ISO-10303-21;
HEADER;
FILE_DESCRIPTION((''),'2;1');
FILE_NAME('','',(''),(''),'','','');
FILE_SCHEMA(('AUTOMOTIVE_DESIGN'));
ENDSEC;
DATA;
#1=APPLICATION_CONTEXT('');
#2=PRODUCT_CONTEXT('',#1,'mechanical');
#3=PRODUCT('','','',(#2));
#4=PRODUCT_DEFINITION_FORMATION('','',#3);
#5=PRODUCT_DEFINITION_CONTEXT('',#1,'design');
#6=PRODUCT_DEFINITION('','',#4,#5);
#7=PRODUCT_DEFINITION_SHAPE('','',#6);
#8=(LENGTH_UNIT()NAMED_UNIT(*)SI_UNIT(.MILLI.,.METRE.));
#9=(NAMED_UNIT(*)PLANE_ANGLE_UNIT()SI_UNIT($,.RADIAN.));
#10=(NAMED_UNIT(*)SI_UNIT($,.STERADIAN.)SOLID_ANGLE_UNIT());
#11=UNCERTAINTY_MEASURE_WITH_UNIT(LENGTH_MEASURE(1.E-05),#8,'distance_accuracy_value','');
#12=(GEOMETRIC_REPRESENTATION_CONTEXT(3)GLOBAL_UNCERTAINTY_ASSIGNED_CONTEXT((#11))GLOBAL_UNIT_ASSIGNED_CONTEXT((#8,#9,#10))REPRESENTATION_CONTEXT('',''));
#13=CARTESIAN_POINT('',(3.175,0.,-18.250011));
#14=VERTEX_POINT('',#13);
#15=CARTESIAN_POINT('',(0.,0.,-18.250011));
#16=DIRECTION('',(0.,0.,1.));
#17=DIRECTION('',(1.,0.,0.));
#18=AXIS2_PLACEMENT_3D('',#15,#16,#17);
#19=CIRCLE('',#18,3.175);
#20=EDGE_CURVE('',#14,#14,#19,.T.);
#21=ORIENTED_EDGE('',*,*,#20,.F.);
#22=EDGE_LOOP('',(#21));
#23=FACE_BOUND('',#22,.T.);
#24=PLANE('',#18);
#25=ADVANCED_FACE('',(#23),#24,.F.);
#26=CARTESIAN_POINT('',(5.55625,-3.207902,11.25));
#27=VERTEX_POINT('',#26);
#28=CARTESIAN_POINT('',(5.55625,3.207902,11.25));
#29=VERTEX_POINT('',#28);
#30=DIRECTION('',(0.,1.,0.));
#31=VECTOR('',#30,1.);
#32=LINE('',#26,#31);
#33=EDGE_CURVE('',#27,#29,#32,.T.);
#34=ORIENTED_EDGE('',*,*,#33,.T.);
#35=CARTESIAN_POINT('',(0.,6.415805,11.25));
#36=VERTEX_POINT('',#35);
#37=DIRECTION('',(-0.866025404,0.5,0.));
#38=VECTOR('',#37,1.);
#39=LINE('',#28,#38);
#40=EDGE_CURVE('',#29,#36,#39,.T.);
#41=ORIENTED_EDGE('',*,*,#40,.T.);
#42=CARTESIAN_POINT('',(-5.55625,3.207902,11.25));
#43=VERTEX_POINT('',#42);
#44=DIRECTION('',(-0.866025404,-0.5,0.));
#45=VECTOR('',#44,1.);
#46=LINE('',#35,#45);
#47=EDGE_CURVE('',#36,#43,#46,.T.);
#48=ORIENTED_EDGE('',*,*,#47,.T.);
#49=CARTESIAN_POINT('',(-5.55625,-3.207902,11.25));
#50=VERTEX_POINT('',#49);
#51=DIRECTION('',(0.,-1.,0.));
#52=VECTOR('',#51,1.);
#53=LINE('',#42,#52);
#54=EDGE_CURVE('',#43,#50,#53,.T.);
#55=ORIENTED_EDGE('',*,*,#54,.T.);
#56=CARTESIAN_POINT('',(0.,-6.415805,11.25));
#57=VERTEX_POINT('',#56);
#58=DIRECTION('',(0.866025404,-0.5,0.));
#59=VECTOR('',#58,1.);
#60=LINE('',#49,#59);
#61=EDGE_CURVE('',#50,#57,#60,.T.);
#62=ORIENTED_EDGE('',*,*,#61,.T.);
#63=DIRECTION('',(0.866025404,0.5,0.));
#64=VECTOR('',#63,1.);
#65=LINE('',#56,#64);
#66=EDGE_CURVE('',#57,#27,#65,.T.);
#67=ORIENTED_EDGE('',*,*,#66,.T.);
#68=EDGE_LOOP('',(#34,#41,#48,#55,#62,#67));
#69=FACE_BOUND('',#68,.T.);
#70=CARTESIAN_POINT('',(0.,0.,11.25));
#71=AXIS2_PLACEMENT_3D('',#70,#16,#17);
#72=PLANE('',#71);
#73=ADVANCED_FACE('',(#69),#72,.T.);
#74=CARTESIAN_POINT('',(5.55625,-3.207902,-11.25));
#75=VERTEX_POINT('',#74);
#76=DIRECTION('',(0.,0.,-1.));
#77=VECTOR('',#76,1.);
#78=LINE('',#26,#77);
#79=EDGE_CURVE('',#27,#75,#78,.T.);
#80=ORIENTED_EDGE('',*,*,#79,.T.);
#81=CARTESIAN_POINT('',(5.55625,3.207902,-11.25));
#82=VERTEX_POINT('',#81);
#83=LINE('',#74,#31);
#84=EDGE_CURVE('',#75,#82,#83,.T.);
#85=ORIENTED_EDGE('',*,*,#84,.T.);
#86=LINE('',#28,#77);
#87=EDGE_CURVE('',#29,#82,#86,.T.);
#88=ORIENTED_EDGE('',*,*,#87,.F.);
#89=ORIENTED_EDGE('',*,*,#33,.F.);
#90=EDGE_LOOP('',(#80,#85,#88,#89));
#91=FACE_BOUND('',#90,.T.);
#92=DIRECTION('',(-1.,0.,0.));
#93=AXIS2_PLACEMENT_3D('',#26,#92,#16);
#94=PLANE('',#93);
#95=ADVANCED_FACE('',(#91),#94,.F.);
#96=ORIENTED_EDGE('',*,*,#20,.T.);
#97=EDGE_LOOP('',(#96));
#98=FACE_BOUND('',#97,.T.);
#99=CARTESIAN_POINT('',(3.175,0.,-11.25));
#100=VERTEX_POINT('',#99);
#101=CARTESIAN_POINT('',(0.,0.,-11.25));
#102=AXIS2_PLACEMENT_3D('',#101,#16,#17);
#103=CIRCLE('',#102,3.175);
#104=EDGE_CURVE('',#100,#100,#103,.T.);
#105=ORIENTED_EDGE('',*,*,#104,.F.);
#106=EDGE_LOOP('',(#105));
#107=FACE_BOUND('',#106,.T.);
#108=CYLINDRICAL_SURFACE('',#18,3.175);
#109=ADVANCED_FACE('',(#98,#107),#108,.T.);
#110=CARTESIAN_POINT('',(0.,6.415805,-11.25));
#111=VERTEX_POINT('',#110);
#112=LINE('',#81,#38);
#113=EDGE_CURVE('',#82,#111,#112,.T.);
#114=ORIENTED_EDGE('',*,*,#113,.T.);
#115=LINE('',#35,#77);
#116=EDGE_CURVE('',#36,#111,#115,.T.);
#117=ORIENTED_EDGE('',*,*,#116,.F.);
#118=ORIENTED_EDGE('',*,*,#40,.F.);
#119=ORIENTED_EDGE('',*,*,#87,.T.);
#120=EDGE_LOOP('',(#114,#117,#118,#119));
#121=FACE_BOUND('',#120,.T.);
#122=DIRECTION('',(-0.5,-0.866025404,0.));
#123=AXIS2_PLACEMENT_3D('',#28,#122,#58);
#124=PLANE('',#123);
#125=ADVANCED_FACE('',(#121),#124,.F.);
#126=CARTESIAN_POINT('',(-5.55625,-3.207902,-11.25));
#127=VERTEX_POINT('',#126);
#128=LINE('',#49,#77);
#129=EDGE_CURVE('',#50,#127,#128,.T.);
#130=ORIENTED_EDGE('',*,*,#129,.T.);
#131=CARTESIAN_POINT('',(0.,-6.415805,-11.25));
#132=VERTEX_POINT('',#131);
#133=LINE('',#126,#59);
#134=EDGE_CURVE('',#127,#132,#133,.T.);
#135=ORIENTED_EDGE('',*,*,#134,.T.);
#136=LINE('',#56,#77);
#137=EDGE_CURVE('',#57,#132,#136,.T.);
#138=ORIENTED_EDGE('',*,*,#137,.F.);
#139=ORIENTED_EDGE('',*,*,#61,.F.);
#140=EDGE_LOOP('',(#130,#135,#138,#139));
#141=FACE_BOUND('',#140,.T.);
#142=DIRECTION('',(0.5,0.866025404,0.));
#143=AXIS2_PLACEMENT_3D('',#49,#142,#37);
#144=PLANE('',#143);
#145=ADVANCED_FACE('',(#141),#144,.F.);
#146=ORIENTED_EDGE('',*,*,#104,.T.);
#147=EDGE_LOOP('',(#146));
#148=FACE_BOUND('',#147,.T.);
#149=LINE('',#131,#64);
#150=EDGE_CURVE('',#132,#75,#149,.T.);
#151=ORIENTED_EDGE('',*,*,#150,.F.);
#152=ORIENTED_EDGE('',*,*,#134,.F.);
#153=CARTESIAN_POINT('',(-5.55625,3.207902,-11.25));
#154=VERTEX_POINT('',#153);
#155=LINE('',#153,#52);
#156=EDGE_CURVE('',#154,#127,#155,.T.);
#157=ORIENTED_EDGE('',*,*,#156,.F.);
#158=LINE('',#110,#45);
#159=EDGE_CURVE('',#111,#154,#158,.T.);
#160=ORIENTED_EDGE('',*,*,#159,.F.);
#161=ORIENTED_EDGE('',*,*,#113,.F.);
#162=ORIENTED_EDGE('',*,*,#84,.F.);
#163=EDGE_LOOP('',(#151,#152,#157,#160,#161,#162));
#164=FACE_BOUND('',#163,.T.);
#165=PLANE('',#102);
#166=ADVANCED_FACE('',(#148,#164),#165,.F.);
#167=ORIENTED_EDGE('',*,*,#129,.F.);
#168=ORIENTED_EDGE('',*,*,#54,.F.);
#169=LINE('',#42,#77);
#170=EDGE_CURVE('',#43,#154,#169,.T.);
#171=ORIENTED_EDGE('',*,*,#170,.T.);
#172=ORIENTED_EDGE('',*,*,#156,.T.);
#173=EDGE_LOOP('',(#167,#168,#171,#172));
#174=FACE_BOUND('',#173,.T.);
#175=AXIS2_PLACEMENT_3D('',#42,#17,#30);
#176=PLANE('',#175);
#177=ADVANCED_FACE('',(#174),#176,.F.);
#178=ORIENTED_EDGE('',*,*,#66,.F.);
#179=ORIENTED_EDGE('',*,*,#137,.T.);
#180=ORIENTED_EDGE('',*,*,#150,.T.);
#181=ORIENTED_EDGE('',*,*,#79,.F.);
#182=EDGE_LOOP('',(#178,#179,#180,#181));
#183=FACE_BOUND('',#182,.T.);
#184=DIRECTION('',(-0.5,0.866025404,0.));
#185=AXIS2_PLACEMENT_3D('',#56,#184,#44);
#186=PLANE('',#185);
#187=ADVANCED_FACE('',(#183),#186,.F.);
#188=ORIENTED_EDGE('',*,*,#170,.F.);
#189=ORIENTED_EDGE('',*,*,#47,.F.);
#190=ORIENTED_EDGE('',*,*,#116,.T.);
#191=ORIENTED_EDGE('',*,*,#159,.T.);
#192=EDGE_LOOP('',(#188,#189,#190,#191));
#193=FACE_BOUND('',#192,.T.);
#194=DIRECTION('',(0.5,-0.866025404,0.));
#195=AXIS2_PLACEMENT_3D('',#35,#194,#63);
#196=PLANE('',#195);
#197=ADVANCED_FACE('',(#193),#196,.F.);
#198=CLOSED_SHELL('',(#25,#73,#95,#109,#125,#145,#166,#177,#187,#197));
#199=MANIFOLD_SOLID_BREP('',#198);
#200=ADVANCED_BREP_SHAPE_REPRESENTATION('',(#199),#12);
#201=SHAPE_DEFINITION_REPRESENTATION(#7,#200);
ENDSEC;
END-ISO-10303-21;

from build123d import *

# Parameters (mm, degrees)
BOSS_EXTRUDE2_DEPTH      = 11.25
BOSS_EXTRUDE2_DEPTH_BACK = 11.25
SKETCH4_R                = 3.175
BOSS_EXTRUDE3_DEPTH      = 7.0000114


with BuildPart() as part:
    # Sketch3 → Boss-Extrude2 (new body, two sides)
    with BuildSketch(Plane.XY) as boss_extrude2_sk:
        Polygon((-5.55625, -3.207902433), (0, -6.415804866), (5.55625, -3.207902433), (5.55625, 3.207902433), (0, 6.415804866), (-5.55625, 3.207902433), align=None)
    extrude(amount=BOSS_EXTRUDE2_DEPTH)
    extrude(boss_extrude2_sk.sketch, amount=-BOSS_EXTRUDE2_DEPTH_BACK)

    # Sketch4 → Boss-Extrude3 (add)
    with BuildSketch(Plane.XY.offset(-11.25)):
        Circle(SKETCH4_R)
    extrude(amount=-BOSS_EXTRUDE3_DEPTH)


solid = part.part
